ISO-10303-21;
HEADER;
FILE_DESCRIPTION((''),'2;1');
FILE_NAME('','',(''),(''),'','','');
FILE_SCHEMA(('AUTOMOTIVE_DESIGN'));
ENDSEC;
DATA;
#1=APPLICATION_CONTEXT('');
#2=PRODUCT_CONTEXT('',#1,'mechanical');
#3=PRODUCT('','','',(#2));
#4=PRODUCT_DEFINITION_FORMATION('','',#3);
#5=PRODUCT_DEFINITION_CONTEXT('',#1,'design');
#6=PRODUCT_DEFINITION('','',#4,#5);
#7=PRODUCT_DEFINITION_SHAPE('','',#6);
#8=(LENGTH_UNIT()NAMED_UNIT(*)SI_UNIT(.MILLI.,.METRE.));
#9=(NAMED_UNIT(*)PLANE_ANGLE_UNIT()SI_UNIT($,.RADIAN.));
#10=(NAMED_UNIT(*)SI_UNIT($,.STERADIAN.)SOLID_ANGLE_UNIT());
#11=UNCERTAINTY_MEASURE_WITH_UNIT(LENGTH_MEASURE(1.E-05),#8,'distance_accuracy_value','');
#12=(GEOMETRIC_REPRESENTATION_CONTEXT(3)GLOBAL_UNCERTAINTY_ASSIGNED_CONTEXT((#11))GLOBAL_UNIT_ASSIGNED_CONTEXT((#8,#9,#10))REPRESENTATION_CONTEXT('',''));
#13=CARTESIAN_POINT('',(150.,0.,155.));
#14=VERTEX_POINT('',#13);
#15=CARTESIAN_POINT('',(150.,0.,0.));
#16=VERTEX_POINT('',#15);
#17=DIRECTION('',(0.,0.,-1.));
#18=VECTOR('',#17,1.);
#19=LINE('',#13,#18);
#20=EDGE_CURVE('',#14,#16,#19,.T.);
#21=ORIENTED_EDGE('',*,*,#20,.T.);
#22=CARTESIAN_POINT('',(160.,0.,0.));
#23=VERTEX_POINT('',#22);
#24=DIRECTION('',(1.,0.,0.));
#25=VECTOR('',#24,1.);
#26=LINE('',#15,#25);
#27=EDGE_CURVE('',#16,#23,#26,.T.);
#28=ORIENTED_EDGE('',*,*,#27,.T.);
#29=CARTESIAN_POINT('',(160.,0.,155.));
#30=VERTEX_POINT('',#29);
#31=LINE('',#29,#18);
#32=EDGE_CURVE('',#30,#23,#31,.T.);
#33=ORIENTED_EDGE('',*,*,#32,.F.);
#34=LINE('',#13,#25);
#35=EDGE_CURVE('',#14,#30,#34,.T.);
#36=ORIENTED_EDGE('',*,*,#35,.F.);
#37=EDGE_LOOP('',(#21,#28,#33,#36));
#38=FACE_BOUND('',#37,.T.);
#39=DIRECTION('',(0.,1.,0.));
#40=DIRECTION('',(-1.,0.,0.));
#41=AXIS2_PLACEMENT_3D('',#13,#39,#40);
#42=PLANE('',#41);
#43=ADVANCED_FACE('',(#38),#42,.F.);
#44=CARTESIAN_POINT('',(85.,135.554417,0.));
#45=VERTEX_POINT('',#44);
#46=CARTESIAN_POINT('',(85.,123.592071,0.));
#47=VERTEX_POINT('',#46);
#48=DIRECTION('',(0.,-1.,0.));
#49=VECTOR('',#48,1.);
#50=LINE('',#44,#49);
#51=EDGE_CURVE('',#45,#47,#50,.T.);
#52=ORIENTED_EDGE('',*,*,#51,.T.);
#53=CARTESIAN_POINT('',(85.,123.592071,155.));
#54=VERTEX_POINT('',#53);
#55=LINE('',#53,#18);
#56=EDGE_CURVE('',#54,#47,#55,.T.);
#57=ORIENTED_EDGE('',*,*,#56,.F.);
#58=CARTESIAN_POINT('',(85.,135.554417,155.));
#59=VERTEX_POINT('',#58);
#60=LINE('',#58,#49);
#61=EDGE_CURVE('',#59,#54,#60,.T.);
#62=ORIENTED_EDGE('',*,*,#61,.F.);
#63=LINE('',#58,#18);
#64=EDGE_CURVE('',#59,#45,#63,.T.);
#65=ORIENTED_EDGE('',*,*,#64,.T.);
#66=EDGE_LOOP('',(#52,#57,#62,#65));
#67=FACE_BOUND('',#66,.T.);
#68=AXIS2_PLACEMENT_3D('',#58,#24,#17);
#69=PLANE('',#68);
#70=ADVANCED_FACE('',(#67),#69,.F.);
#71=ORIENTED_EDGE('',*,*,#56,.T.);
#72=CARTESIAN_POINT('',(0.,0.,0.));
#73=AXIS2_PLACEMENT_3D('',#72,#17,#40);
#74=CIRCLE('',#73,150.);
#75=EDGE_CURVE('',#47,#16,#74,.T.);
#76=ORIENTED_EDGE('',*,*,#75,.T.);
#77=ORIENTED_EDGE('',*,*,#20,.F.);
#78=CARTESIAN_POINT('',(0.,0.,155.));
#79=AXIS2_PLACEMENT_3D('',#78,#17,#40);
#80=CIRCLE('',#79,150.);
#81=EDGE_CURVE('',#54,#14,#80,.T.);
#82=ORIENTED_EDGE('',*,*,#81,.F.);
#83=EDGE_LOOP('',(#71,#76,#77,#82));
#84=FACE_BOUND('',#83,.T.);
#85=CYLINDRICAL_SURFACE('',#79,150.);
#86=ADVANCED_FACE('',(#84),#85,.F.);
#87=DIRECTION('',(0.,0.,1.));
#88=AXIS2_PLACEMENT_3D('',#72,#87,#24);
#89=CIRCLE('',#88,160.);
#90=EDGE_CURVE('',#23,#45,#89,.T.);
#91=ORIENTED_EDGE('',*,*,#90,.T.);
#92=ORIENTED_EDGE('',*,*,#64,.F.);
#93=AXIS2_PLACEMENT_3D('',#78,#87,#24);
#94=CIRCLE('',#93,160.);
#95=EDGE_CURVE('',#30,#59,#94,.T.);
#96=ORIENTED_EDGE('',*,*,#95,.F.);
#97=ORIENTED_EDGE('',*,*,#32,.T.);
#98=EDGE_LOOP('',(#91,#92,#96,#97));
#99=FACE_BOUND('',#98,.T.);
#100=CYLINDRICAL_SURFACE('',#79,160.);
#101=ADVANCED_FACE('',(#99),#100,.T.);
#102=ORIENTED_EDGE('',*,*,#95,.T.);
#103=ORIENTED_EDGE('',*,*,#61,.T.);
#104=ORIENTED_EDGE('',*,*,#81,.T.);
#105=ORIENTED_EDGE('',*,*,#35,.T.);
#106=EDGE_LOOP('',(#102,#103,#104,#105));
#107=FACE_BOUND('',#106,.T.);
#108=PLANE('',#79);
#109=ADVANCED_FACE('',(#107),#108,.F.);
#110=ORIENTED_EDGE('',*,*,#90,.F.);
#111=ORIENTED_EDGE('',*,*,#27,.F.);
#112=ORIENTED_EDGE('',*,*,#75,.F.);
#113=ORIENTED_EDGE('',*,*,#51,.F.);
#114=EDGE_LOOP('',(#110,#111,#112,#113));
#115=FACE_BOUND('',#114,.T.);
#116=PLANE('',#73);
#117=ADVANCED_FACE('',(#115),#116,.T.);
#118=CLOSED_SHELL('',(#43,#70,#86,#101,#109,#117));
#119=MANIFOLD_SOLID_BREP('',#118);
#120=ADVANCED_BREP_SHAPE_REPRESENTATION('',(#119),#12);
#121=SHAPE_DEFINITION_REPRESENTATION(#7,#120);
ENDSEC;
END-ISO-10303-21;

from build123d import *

# Parameters (mm, degrees)
INNER_RING_RIGHT_SIDE_DEPTH = 155


with BuildPart() as part:
    # Sketch2 → Inner Ring - Right Side (new body)
    with BuildSketch(Plane.XY):
        with BuildLine():
            Line((85, 135.554417117), (85, 123.592070943))
            ThreePointArc((85, 123.592070943), (132.759180474, 69.821200219), (150, 0))
            Line((150, 0), (160, 0))
            ThreePointArc((160, 0), (140, 77.459666924), (85, 135.554417117))
        make_face()
    extrude(amount=INNER_RING_RIGHT_SIDE_DEPTH)


solid = part.part
